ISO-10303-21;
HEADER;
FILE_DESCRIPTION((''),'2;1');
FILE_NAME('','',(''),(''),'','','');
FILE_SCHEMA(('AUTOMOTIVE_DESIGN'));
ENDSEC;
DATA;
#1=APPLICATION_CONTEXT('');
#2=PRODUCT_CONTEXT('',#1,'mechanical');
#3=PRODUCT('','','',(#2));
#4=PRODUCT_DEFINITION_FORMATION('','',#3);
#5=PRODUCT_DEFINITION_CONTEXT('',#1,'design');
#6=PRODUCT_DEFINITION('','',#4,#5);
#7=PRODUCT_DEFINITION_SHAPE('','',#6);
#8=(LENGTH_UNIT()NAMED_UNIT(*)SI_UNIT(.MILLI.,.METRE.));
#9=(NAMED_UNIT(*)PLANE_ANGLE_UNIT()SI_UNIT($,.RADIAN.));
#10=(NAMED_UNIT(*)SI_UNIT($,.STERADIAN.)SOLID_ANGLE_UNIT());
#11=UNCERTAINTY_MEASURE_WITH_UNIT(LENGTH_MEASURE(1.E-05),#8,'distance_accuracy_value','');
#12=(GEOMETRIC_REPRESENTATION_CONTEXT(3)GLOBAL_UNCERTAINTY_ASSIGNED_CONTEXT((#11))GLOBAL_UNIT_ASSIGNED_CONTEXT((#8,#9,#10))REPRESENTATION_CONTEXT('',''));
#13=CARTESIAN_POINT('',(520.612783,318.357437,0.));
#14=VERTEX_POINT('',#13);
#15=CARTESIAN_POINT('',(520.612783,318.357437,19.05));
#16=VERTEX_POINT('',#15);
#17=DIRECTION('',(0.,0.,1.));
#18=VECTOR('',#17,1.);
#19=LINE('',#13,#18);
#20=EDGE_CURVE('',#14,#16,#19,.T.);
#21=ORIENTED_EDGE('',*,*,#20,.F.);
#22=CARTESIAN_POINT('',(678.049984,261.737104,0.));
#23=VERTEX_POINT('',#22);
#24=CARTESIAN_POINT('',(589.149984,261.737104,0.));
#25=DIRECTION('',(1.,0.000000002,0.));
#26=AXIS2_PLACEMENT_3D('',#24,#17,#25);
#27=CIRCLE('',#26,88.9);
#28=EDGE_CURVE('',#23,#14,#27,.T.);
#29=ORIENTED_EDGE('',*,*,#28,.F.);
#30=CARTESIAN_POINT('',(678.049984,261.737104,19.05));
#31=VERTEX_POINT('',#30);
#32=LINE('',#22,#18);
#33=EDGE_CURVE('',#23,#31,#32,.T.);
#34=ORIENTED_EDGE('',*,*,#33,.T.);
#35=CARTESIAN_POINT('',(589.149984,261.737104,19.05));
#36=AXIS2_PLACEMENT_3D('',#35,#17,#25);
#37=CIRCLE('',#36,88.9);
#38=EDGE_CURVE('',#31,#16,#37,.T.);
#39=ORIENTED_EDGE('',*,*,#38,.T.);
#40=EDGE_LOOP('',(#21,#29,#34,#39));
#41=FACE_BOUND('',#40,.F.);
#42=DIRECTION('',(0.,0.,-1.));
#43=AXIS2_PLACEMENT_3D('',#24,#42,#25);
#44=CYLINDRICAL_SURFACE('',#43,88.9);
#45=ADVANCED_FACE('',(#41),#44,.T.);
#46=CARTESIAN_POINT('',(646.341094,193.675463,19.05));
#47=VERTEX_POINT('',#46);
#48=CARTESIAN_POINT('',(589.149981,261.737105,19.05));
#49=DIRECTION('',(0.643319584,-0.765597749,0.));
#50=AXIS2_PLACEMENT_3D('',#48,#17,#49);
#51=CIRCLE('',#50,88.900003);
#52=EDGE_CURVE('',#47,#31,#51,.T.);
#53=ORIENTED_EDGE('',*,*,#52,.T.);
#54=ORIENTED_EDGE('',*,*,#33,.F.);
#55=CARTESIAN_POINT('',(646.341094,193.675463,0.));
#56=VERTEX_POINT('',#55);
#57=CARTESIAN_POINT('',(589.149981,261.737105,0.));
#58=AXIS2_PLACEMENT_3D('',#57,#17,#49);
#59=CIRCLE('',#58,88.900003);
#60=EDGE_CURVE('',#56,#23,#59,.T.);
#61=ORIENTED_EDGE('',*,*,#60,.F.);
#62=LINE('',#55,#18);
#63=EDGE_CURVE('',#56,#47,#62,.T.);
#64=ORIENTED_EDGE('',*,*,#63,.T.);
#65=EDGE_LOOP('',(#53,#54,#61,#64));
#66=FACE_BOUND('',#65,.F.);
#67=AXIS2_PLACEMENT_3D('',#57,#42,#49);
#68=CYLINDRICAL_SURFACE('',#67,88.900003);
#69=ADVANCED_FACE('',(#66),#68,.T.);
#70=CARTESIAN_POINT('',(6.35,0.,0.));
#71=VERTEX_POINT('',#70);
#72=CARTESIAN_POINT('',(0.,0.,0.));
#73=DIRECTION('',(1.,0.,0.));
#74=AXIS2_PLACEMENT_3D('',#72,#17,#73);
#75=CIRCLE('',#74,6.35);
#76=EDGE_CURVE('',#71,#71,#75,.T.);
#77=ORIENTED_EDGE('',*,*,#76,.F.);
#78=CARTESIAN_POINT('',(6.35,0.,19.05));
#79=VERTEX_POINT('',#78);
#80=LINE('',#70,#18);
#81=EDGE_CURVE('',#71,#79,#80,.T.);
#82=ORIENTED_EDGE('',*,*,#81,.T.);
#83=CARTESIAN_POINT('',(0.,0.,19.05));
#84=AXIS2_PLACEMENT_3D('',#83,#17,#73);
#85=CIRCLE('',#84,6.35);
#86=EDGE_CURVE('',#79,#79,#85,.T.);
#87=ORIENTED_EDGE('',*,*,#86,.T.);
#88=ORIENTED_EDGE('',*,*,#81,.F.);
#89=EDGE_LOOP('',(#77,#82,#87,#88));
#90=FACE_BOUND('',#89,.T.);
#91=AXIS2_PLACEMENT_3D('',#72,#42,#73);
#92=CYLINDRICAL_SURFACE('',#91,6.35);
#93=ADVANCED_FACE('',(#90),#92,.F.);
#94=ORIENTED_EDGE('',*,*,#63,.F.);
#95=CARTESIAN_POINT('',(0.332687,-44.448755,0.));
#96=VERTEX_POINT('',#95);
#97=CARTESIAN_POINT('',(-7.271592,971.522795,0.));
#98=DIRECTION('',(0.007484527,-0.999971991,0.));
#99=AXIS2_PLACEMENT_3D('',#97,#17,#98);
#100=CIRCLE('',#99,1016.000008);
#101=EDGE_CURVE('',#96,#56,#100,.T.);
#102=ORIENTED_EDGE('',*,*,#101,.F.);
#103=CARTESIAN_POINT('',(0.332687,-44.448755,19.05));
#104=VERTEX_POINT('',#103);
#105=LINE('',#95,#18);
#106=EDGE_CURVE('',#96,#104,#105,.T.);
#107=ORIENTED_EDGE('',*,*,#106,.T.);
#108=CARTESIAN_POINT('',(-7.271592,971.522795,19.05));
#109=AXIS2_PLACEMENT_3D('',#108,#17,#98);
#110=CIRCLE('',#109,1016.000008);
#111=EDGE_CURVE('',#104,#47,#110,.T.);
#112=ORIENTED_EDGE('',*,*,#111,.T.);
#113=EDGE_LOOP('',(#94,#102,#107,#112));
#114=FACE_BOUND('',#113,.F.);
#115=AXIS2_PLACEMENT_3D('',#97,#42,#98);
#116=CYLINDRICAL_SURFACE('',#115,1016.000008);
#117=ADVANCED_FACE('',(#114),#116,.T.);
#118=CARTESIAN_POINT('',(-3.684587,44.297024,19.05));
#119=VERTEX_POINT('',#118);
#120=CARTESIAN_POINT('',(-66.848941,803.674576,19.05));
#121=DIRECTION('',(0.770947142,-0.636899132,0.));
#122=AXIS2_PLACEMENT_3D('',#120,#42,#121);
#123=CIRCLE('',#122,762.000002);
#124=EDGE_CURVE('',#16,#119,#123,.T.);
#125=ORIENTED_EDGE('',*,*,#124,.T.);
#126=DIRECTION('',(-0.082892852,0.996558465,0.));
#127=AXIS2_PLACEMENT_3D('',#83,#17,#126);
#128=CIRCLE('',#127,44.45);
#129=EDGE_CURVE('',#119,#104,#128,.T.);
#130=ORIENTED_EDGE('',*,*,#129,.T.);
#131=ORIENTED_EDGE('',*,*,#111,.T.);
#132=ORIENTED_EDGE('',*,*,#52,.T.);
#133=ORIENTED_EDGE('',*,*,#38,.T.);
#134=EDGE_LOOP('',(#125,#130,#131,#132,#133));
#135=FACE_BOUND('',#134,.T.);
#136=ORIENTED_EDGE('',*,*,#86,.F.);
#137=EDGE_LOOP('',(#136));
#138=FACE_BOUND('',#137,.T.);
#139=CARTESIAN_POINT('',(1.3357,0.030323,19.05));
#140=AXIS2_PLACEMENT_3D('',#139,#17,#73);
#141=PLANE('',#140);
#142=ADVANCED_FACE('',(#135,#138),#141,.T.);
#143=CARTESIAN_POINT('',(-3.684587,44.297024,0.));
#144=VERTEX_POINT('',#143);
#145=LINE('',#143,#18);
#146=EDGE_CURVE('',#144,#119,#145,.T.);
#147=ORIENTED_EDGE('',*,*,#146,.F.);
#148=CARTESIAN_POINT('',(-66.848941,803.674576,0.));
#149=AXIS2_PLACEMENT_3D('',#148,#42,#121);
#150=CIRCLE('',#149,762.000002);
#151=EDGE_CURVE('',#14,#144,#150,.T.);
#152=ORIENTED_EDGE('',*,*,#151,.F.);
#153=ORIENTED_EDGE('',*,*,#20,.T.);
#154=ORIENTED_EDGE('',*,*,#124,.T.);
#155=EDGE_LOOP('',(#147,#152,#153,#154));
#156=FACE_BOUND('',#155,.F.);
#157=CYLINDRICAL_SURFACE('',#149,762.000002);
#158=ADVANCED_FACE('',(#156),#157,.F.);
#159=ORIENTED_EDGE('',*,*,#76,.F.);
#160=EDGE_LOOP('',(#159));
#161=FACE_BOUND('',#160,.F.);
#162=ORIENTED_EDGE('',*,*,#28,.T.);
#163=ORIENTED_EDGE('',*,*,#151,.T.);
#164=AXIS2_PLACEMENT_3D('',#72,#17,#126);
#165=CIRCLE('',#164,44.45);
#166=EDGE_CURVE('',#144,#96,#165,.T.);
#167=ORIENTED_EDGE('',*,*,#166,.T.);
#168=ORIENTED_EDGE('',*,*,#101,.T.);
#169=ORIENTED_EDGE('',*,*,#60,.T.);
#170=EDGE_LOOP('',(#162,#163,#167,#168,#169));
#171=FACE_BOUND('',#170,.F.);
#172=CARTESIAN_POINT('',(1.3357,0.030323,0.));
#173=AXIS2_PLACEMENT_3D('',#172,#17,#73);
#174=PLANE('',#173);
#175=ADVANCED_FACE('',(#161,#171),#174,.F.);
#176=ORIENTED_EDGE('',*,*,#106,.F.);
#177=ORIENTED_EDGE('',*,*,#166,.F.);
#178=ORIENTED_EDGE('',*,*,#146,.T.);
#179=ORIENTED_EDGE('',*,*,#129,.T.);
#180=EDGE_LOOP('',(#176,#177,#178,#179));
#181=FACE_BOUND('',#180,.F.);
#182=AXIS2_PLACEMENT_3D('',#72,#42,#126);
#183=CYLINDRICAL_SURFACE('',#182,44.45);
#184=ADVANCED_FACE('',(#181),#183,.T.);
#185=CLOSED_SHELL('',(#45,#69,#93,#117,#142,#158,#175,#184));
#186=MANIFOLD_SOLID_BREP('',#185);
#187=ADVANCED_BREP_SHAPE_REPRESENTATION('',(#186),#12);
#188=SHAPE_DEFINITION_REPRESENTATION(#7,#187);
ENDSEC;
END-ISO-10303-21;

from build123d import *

# Parameters (mm, degrees)
F0_R     = 6.35
F1_DEPTH = 19.05


with BuildPart() as f1:
    # F0 (on Top) → F1 (new body)
    with BuildSketch(Plane.XY):
        with BuildLine():
            ThreePointArc((0.332687, -44.448755), (31.5483, -31.313053), (44.45, 0))
            ThreePointArc((44.45, 0), (30.100022, 32.707663), (-3.684587, 44.297024))
            ThreePointArc((-3.684587, 44.297024), (-44.404528, -2.010069), (0.332687, -44.448755))
        make_face()
        Circle(F0_R, mode=Mode.SUBTRACT)
        with BuildLine():
            ThreePointArc((678.049984, 261.737104), (619.235303, 345.391653), (520.612783, 318.357437))
            ThreePointArc((520.612783, 318.357437), (526.551405, 198.613195), (646.341094, 193.675463))
            ThreePointArc((646.341094, 193.675463), (669.73379, 224.194326), (678.049984, 261.737104))
        make_face()
        with BuildLine():
            ThreePointArc((-3.684587, 44.297024), (30.100022, 32.707663), (44.45, 0))
            ThreePointArc((44.45, 0), (31.5483, -31.313053), (0.332687, -44.448755))
            ThreePointArc((0.332687, -44.448755), (344.122424, 18.224174), (646.341094, 193.675463))
            ThreePointArc((646.341094, 193.675463), (526.551405, 198.613195), (520.612783, 318.357437))
            ThreePointArc((520.612783, 318.357437), (286.146598, 128.368607), (-3.684587, 44.297024))
        make_face()
    extrude(amount=F1_DEPTH)


solid = f1.part
